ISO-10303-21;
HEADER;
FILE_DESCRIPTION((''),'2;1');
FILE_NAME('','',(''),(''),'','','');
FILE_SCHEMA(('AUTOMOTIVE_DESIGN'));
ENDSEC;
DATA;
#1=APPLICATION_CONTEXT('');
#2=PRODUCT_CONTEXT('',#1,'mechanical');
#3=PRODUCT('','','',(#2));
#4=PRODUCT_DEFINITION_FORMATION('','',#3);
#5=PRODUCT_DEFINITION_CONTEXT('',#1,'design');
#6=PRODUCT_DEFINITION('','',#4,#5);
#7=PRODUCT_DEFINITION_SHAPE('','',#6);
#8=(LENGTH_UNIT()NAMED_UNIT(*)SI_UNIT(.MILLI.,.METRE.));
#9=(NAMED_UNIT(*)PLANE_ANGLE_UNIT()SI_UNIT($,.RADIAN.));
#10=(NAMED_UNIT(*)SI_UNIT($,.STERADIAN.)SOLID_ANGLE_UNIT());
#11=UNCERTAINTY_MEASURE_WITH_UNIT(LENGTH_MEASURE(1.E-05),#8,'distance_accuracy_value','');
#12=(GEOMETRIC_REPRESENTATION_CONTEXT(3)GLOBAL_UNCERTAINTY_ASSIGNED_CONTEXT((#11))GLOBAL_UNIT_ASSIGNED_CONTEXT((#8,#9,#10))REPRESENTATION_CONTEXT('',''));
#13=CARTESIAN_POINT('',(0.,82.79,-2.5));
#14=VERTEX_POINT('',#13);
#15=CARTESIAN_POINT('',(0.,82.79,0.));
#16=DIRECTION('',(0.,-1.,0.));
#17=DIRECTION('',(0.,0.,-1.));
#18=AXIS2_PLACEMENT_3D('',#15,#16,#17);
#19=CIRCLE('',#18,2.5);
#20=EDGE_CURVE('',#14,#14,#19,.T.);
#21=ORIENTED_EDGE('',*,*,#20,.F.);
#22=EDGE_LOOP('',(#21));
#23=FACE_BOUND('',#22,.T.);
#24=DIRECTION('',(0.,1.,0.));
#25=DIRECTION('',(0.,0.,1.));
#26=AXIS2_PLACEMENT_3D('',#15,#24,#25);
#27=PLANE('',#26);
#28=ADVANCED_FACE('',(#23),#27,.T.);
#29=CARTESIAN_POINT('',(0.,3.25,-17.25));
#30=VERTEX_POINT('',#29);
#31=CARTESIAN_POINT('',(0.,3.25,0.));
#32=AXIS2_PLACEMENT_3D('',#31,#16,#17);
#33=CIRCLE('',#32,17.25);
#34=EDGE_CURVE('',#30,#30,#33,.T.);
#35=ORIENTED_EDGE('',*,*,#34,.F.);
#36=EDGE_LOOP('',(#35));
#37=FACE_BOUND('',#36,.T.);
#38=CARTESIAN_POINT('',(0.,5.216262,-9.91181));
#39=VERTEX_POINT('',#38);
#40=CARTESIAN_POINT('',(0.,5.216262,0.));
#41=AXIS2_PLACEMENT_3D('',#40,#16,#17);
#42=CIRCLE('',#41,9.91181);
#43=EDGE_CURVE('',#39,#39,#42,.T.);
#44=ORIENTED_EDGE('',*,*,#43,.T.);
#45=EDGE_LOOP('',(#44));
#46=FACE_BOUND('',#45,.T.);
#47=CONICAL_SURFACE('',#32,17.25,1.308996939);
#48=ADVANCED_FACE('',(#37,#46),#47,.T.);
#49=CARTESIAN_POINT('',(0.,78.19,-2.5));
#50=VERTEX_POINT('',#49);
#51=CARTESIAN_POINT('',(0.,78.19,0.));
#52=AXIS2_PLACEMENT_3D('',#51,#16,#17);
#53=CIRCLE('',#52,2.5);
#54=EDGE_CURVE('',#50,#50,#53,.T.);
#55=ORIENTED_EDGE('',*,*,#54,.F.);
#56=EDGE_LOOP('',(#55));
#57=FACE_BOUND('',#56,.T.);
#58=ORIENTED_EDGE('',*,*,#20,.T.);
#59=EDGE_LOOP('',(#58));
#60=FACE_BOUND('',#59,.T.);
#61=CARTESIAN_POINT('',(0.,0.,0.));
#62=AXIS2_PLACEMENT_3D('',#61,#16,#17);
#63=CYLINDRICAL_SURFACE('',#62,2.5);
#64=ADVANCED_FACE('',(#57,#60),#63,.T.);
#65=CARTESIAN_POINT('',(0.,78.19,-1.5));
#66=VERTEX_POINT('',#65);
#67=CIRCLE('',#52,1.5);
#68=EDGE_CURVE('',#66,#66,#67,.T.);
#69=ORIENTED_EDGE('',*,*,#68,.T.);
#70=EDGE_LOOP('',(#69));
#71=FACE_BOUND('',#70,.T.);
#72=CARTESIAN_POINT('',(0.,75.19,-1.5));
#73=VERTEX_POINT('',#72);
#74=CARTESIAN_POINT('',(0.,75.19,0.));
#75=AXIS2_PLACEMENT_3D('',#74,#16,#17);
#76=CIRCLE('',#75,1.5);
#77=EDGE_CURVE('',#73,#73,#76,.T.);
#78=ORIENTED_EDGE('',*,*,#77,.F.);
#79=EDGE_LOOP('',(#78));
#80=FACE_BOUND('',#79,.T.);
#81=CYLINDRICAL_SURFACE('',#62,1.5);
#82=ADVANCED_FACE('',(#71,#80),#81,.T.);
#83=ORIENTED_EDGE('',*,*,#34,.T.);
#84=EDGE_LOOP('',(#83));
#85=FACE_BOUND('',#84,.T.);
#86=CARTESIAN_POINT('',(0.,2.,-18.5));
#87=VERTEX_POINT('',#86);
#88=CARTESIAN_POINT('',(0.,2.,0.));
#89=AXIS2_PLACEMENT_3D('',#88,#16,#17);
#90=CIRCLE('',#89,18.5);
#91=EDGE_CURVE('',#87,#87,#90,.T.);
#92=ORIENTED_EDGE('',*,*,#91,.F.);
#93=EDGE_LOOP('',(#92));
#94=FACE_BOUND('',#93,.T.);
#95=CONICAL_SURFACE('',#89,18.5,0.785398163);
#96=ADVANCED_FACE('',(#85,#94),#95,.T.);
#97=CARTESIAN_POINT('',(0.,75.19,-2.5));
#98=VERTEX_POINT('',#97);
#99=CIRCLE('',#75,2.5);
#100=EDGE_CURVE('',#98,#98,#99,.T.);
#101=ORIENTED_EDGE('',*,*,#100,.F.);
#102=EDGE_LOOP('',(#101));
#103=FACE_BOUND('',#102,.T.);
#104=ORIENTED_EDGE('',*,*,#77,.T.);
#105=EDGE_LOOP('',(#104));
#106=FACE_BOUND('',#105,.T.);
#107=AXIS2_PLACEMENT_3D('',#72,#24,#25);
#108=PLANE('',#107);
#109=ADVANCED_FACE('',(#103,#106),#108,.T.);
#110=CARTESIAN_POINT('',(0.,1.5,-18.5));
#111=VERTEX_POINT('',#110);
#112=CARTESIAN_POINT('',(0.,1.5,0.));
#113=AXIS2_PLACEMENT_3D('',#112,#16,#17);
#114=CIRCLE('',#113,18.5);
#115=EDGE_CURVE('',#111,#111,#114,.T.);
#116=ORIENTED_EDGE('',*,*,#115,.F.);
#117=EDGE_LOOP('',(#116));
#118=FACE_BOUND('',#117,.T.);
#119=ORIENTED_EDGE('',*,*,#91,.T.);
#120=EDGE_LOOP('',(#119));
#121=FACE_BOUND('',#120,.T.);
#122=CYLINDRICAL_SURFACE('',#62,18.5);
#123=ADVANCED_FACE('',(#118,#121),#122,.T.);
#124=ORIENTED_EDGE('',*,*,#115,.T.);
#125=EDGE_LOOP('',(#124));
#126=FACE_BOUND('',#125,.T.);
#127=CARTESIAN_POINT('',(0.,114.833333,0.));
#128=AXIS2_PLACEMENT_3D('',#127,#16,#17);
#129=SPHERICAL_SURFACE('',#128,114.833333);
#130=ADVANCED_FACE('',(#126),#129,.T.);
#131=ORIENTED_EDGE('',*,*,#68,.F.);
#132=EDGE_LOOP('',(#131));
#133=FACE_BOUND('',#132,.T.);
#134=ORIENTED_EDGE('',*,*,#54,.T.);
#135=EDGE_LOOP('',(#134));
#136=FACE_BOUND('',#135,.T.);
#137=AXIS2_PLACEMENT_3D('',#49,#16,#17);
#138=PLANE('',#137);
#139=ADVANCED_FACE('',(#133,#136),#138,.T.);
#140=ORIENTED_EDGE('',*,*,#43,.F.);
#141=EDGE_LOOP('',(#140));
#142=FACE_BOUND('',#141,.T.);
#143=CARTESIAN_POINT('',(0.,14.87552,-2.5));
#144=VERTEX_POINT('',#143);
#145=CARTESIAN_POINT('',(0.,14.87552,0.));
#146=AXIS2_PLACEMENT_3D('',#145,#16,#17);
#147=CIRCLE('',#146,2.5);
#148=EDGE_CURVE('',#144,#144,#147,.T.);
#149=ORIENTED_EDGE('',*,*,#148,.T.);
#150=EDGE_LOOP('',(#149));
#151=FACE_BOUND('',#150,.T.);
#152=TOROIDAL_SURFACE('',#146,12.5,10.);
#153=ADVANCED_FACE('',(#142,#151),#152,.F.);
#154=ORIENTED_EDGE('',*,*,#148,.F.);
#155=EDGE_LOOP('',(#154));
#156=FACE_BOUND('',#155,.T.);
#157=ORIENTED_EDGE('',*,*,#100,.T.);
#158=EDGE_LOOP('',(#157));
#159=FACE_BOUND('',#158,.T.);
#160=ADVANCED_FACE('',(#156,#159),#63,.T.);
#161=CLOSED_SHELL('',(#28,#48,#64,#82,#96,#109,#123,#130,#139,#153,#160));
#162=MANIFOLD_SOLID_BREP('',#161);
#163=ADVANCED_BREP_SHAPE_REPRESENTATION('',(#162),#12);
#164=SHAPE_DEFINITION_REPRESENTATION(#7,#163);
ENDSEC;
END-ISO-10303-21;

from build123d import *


with BuildPart() as part:
    # Sketch1 → Revolve1 (revolve)
    with BuildSketch(Plane(origin=(0, 0, 0), x_dir=(0, 0, -1), z_dir=(1, 0, 0))):
        with BuildLine():
            Line((0, 0), (0, 82.79))
            Line((0, 82.79), (2.5, 82.79))
            Line((2.5, 82.79), (2.5, 78.19))
            Line((2.5, 78.19), (1.5, 78.19))
            Line((1.5, 78.19), (1.5, 75.19))
            Line((1.5, 75.19), (2.5, 75.19))
            Line((2.5, 75.19), (2.5, 14.875520468))
            ThreePointArc((2.5, 14.875520468), (4.566466597, 8.787906178), (9.911809549, 5.216262205))
            Line((9.911809549, 5.216262205), (17.25, 3.25))
            Line((17.25, 3.25), (18.5, 2))
            Line((18.5, 2), (18.5, 1.5))
            ThreePointArc((18.5, 1.5), (9.280355597, 0.375614308), (0, 0))
        make_face()
    revolve(axis=Axis((0, 0, 0), (0, 1, 0)))


solid = part.part
